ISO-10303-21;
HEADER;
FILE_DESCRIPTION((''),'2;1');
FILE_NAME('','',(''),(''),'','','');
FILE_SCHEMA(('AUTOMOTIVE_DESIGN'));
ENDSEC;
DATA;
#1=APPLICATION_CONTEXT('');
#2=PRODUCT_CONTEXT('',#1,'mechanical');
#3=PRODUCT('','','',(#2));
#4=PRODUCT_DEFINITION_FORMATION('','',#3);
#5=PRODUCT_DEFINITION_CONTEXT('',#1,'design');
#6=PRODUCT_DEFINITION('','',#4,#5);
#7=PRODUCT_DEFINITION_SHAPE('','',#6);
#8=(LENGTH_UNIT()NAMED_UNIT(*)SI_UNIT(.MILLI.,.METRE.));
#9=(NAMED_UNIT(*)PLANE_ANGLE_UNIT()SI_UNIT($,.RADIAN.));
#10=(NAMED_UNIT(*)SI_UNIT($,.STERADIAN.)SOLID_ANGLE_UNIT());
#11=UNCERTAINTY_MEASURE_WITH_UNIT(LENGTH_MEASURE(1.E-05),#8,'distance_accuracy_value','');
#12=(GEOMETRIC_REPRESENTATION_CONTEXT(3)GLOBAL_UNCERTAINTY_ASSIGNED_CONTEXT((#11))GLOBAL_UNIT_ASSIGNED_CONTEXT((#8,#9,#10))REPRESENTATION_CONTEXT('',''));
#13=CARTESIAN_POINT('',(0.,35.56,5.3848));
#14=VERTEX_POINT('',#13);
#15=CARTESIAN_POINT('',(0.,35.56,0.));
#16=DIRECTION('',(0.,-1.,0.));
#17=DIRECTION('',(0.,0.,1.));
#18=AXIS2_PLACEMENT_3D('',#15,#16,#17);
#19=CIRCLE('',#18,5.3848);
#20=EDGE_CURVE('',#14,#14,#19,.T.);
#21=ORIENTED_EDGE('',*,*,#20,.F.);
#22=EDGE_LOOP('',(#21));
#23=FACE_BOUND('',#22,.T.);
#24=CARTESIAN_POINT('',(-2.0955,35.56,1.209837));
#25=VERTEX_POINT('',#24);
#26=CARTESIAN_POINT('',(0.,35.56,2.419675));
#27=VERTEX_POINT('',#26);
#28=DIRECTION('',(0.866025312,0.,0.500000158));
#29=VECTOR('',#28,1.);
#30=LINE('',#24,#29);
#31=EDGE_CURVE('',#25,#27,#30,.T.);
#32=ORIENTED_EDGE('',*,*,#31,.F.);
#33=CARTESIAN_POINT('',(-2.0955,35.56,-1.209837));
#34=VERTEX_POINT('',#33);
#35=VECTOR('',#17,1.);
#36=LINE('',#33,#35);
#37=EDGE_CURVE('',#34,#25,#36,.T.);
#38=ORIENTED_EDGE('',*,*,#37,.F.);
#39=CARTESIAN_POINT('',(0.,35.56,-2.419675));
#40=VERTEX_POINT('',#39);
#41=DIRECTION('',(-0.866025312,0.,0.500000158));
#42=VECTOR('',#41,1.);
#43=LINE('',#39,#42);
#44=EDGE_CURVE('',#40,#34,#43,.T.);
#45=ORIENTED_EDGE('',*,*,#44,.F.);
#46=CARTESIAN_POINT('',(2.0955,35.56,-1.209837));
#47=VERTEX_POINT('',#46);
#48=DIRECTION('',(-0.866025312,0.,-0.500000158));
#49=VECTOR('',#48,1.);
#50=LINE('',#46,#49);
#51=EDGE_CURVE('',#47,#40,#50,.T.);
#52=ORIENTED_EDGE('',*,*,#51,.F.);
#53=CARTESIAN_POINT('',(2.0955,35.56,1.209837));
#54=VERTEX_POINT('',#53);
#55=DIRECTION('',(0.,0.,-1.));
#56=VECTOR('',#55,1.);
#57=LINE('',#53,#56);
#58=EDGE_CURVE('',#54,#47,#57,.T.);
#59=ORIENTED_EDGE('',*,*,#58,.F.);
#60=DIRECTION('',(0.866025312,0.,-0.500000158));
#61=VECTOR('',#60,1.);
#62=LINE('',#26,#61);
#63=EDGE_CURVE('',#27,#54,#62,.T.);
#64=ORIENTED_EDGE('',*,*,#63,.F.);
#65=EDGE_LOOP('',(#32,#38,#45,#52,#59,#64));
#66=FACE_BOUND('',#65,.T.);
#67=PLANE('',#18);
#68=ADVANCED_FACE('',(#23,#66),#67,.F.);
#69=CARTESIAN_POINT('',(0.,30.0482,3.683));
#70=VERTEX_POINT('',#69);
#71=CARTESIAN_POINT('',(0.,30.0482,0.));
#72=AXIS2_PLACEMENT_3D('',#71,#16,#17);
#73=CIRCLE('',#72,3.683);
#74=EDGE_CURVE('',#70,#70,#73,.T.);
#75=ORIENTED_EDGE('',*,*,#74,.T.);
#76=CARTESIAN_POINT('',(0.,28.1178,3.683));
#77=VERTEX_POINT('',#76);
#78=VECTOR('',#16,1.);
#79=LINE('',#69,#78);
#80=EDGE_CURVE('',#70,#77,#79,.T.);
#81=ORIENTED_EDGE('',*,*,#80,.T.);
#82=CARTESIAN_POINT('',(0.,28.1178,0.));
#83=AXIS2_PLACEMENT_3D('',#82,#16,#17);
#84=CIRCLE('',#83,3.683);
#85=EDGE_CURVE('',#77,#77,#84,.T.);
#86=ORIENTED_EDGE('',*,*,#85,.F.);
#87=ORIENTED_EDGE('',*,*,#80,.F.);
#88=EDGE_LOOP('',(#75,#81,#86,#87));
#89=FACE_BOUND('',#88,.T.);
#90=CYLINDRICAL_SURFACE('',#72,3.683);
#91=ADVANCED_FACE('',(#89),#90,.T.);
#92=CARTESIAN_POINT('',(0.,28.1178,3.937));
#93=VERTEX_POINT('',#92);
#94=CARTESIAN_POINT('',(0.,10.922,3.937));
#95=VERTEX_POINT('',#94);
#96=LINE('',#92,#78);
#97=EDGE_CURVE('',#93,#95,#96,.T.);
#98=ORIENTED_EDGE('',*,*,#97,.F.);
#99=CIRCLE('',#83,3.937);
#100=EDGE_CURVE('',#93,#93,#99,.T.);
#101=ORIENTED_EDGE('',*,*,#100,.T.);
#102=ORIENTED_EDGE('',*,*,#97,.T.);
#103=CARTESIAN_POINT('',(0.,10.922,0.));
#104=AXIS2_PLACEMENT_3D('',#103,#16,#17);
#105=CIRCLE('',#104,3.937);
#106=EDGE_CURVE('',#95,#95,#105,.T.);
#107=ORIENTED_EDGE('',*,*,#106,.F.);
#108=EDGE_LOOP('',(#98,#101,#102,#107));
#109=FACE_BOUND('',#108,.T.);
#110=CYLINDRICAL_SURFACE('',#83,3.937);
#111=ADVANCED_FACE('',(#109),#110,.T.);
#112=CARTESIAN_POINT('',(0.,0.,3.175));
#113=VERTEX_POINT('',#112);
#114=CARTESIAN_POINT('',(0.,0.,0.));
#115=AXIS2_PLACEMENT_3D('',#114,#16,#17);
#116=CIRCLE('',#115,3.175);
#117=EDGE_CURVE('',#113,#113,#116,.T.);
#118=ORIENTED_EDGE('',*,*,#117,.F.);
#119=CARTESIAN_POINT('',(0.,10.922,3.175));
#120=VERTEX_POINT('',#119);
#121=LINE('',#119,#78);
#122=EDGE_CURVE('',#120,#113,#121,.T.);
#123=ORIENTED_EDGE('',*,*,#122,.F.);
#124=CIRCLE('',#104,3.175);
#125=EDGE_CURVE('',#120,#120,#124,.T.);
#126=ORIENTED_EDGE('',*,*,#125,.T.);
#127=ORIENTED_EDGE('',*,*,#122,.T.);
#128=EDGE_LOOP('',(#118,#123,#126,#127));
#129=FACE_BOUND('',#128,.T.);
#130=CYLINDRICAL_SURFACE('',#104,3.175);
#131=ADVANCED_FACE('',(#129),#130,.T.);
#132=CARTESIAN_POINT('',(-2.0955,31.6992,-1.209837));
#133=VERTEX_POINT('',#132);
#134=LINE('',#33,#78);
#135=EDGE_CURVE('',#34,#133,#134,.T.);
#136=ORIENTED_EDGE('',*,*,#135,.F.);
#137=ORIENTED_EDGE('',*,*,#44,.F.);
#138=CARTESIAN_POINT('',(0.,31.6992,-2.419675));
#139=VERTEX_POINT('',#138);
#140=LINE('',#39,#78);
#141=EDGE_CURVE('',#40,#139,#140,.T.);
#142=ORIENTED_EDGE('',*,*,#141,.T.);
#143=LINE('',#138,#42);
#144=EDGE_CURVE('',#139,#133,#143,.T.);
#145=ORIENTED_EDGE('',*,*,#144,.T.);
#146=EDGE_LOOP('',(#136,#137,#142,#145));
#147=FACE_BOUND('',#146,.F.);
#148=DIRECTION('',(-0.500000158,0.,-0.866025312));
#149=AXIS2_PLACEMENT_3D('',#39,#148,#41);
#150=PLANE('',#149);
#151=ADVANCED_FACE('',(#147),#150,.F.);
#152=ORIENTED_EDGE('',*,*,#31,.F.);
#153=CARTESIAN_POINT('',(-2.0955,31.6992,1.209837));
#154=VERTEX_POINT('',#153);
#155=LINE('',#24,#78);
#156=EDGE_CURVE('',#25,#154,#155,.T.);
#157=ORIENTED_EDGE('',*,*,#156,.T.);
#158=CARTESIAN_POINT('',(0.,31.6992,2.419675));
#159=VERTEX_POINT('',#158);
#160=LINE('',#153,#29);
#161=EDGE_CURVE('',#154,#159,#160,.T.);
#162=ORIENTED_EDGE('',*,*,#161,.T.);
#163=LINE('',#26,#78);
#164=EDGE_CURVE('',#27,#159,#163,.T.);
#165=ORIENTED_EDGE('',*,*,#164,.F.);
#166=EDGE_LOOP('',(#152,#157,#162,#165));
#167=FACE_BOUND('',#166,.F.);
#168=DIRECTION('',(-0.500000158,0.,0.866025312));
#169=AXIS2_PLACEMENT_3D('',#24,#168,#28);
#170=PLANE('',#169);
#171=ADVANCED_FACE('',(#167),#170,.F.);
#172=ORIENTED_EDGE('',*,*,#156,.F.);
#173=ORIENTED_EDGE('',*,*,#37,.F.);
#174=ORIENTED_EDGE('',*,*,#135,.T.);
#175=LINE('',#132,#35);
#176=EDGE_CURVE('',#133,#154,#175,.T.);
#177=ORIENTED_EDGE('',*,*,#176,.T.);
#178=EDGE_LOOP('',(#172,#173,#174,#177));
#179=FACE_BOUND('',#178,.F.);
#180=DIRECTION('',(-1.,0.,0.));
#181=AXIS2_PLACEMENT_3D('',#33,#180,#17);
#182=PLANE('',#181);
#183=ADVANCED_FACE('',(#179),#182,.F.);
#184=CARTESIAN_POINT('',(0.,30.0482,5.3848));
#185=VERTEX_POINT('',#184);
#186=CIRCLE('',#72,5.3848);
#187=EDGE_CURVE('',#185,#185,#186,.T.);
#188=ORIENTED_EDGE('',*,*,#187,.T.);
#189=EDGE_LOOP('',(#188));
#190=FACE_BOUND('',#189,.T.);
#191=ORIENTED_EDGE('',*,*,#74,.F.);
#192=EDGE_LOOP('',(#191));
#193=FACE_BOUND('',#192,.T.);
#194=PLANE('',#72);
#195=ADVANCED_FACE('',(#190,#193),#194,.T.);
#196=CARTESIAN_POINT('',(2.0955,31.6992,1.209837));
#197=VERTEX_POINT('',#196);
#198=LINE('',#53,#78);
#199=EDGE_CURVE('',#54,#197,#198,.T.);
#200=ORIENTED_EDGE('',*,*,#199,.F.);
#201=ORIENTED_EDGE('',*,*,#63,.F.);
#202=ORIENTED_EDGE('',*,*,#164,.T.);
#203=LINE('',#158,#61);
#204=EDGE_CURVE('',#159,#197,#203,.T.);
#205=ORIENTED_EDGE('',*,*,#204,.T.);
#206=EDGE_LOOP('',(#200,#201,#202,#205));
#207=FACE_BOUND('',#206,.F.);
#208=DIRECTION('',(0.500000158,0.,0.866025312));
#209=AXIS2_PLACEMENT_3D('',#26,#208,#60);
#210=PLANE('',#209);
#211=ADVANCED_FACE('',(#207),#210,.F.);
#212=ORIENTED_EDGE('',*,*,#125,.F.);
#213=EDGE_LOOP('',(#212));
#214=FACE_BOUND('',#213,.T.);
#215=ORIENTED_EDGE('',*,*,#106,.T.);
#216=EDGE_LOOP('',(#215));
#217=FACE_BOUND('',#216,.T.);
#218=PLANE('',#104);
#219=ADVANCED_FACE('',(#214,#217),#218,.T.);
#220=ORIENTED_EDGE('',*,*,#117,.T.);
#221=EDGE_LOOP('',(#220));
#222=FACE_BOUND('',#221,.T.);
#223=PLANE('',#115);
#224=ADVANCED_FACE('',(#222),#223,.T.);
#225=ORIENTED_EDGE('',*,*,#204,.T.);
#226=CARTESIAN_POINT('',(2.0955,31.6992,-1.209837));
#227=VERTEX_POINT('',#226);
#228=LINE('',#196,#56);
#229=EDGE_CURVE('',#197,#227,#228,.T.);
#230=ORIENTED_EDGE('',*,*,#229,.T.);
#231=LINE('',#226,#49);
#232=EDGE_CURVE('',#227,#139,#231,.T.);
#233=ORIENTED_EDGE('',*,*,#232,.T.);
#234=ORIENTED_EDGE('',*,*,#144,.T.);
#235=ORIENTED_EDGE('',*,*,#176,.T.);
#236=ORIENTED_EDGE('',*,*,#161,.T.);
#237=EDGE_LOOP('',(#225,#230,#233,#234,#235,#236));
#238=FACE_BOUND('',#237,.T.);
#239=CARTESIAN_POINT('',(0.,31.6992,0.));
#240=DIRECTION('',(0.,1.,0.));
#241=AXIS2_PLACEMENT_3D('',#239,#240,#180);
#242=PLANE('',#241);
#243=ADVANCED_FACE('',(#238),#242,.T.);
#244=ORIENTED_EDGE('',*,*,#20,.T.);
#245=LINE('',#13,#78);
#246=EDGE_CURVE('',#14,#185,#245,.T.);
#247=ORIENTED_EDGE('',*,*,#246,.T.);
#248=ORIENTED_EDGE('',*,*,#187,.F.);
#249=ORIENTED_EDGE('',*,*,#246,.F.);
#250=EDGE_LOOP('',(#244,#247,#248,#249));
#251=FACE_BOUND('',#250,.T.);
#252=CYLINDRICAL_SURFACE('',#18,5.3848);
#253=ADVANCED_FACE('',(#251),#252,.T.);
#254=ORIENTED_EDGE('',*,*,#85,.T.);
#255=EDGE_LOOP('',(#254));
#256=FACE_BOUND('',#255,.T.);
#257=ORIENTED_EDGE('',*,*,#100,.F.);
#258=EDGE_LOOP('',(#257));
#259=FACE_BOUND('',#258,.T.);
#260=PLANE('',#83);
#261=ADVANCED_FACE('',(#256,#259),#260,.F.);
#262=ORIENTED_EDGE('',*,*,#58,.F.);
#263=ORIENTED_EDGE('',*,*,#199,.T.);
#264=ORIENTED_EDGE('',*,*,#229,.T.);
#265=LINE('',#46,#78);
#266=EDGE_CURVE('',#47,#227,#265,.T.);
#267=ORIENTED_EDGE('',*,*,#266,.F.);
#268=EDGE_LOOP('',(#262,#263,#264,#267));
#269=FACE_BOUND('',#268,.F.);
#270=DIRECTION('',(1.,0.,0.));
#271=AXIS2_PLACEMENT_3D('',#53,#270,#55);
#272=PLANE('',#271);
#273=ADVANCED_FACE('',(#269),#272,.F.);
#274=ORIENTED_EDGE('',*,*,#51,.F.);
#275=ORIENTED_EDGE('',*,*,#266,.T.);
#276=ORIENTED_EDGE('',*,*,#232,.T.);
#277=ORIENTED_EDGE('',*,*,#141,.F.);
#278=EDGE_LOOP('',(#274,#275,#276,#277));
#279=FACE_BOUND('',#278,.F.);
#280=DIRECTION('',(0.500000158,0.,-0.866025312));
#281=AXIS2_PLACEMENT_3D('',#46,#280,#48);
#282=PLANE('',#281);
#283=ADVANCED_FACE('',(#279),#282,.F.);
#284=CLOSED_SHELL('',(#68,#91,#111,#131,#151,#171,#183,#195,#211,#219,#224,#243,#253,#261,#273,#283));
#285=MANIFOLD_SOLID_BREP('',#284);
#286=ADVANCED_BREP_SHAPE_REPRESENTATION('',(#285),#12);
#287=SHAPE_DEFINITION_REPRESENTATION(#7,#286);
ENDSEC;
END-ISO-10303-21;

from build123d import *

# Parameters (mm, degrees)
F3_DEPTH = 3.8608


with BuildPart() as f1:
    # F0 (on Right) → F1 (revolve)
    with BuildSketch(Plane.YZ):
        Polygon((0, 3.175), (0, 0), (35.56, 0), (35.56, 5.3848), (30.0482, 5.3848), (30.0482, 3.937), (30.0482, 3.683), (28.1178, 3.683), (28.1178, 3.937), (10.922, 3.937), (10.922, 3.175), align=None)
    revolve(axis=Axis((0, 17.78, 0), (0, -1, 0)))

    # F2 (on face) → F3 (cut)
    with BuildSketch(Plane(origin=(0, 35.56, 0), x_dir=(-1, 0, 0), z_dir=(0, 1, 0))):
        Polygon((2.0955, 1.209837), (0, 2.419675), (-2.0955, 1.209837), (-2.0955, -1.209837), (0, -2.419675), (2.0955, -1.209837), align=None)
    extrude(amount=-F3_DEPTH, mode=Mode.SUBTRACT)


solid = f1.part
